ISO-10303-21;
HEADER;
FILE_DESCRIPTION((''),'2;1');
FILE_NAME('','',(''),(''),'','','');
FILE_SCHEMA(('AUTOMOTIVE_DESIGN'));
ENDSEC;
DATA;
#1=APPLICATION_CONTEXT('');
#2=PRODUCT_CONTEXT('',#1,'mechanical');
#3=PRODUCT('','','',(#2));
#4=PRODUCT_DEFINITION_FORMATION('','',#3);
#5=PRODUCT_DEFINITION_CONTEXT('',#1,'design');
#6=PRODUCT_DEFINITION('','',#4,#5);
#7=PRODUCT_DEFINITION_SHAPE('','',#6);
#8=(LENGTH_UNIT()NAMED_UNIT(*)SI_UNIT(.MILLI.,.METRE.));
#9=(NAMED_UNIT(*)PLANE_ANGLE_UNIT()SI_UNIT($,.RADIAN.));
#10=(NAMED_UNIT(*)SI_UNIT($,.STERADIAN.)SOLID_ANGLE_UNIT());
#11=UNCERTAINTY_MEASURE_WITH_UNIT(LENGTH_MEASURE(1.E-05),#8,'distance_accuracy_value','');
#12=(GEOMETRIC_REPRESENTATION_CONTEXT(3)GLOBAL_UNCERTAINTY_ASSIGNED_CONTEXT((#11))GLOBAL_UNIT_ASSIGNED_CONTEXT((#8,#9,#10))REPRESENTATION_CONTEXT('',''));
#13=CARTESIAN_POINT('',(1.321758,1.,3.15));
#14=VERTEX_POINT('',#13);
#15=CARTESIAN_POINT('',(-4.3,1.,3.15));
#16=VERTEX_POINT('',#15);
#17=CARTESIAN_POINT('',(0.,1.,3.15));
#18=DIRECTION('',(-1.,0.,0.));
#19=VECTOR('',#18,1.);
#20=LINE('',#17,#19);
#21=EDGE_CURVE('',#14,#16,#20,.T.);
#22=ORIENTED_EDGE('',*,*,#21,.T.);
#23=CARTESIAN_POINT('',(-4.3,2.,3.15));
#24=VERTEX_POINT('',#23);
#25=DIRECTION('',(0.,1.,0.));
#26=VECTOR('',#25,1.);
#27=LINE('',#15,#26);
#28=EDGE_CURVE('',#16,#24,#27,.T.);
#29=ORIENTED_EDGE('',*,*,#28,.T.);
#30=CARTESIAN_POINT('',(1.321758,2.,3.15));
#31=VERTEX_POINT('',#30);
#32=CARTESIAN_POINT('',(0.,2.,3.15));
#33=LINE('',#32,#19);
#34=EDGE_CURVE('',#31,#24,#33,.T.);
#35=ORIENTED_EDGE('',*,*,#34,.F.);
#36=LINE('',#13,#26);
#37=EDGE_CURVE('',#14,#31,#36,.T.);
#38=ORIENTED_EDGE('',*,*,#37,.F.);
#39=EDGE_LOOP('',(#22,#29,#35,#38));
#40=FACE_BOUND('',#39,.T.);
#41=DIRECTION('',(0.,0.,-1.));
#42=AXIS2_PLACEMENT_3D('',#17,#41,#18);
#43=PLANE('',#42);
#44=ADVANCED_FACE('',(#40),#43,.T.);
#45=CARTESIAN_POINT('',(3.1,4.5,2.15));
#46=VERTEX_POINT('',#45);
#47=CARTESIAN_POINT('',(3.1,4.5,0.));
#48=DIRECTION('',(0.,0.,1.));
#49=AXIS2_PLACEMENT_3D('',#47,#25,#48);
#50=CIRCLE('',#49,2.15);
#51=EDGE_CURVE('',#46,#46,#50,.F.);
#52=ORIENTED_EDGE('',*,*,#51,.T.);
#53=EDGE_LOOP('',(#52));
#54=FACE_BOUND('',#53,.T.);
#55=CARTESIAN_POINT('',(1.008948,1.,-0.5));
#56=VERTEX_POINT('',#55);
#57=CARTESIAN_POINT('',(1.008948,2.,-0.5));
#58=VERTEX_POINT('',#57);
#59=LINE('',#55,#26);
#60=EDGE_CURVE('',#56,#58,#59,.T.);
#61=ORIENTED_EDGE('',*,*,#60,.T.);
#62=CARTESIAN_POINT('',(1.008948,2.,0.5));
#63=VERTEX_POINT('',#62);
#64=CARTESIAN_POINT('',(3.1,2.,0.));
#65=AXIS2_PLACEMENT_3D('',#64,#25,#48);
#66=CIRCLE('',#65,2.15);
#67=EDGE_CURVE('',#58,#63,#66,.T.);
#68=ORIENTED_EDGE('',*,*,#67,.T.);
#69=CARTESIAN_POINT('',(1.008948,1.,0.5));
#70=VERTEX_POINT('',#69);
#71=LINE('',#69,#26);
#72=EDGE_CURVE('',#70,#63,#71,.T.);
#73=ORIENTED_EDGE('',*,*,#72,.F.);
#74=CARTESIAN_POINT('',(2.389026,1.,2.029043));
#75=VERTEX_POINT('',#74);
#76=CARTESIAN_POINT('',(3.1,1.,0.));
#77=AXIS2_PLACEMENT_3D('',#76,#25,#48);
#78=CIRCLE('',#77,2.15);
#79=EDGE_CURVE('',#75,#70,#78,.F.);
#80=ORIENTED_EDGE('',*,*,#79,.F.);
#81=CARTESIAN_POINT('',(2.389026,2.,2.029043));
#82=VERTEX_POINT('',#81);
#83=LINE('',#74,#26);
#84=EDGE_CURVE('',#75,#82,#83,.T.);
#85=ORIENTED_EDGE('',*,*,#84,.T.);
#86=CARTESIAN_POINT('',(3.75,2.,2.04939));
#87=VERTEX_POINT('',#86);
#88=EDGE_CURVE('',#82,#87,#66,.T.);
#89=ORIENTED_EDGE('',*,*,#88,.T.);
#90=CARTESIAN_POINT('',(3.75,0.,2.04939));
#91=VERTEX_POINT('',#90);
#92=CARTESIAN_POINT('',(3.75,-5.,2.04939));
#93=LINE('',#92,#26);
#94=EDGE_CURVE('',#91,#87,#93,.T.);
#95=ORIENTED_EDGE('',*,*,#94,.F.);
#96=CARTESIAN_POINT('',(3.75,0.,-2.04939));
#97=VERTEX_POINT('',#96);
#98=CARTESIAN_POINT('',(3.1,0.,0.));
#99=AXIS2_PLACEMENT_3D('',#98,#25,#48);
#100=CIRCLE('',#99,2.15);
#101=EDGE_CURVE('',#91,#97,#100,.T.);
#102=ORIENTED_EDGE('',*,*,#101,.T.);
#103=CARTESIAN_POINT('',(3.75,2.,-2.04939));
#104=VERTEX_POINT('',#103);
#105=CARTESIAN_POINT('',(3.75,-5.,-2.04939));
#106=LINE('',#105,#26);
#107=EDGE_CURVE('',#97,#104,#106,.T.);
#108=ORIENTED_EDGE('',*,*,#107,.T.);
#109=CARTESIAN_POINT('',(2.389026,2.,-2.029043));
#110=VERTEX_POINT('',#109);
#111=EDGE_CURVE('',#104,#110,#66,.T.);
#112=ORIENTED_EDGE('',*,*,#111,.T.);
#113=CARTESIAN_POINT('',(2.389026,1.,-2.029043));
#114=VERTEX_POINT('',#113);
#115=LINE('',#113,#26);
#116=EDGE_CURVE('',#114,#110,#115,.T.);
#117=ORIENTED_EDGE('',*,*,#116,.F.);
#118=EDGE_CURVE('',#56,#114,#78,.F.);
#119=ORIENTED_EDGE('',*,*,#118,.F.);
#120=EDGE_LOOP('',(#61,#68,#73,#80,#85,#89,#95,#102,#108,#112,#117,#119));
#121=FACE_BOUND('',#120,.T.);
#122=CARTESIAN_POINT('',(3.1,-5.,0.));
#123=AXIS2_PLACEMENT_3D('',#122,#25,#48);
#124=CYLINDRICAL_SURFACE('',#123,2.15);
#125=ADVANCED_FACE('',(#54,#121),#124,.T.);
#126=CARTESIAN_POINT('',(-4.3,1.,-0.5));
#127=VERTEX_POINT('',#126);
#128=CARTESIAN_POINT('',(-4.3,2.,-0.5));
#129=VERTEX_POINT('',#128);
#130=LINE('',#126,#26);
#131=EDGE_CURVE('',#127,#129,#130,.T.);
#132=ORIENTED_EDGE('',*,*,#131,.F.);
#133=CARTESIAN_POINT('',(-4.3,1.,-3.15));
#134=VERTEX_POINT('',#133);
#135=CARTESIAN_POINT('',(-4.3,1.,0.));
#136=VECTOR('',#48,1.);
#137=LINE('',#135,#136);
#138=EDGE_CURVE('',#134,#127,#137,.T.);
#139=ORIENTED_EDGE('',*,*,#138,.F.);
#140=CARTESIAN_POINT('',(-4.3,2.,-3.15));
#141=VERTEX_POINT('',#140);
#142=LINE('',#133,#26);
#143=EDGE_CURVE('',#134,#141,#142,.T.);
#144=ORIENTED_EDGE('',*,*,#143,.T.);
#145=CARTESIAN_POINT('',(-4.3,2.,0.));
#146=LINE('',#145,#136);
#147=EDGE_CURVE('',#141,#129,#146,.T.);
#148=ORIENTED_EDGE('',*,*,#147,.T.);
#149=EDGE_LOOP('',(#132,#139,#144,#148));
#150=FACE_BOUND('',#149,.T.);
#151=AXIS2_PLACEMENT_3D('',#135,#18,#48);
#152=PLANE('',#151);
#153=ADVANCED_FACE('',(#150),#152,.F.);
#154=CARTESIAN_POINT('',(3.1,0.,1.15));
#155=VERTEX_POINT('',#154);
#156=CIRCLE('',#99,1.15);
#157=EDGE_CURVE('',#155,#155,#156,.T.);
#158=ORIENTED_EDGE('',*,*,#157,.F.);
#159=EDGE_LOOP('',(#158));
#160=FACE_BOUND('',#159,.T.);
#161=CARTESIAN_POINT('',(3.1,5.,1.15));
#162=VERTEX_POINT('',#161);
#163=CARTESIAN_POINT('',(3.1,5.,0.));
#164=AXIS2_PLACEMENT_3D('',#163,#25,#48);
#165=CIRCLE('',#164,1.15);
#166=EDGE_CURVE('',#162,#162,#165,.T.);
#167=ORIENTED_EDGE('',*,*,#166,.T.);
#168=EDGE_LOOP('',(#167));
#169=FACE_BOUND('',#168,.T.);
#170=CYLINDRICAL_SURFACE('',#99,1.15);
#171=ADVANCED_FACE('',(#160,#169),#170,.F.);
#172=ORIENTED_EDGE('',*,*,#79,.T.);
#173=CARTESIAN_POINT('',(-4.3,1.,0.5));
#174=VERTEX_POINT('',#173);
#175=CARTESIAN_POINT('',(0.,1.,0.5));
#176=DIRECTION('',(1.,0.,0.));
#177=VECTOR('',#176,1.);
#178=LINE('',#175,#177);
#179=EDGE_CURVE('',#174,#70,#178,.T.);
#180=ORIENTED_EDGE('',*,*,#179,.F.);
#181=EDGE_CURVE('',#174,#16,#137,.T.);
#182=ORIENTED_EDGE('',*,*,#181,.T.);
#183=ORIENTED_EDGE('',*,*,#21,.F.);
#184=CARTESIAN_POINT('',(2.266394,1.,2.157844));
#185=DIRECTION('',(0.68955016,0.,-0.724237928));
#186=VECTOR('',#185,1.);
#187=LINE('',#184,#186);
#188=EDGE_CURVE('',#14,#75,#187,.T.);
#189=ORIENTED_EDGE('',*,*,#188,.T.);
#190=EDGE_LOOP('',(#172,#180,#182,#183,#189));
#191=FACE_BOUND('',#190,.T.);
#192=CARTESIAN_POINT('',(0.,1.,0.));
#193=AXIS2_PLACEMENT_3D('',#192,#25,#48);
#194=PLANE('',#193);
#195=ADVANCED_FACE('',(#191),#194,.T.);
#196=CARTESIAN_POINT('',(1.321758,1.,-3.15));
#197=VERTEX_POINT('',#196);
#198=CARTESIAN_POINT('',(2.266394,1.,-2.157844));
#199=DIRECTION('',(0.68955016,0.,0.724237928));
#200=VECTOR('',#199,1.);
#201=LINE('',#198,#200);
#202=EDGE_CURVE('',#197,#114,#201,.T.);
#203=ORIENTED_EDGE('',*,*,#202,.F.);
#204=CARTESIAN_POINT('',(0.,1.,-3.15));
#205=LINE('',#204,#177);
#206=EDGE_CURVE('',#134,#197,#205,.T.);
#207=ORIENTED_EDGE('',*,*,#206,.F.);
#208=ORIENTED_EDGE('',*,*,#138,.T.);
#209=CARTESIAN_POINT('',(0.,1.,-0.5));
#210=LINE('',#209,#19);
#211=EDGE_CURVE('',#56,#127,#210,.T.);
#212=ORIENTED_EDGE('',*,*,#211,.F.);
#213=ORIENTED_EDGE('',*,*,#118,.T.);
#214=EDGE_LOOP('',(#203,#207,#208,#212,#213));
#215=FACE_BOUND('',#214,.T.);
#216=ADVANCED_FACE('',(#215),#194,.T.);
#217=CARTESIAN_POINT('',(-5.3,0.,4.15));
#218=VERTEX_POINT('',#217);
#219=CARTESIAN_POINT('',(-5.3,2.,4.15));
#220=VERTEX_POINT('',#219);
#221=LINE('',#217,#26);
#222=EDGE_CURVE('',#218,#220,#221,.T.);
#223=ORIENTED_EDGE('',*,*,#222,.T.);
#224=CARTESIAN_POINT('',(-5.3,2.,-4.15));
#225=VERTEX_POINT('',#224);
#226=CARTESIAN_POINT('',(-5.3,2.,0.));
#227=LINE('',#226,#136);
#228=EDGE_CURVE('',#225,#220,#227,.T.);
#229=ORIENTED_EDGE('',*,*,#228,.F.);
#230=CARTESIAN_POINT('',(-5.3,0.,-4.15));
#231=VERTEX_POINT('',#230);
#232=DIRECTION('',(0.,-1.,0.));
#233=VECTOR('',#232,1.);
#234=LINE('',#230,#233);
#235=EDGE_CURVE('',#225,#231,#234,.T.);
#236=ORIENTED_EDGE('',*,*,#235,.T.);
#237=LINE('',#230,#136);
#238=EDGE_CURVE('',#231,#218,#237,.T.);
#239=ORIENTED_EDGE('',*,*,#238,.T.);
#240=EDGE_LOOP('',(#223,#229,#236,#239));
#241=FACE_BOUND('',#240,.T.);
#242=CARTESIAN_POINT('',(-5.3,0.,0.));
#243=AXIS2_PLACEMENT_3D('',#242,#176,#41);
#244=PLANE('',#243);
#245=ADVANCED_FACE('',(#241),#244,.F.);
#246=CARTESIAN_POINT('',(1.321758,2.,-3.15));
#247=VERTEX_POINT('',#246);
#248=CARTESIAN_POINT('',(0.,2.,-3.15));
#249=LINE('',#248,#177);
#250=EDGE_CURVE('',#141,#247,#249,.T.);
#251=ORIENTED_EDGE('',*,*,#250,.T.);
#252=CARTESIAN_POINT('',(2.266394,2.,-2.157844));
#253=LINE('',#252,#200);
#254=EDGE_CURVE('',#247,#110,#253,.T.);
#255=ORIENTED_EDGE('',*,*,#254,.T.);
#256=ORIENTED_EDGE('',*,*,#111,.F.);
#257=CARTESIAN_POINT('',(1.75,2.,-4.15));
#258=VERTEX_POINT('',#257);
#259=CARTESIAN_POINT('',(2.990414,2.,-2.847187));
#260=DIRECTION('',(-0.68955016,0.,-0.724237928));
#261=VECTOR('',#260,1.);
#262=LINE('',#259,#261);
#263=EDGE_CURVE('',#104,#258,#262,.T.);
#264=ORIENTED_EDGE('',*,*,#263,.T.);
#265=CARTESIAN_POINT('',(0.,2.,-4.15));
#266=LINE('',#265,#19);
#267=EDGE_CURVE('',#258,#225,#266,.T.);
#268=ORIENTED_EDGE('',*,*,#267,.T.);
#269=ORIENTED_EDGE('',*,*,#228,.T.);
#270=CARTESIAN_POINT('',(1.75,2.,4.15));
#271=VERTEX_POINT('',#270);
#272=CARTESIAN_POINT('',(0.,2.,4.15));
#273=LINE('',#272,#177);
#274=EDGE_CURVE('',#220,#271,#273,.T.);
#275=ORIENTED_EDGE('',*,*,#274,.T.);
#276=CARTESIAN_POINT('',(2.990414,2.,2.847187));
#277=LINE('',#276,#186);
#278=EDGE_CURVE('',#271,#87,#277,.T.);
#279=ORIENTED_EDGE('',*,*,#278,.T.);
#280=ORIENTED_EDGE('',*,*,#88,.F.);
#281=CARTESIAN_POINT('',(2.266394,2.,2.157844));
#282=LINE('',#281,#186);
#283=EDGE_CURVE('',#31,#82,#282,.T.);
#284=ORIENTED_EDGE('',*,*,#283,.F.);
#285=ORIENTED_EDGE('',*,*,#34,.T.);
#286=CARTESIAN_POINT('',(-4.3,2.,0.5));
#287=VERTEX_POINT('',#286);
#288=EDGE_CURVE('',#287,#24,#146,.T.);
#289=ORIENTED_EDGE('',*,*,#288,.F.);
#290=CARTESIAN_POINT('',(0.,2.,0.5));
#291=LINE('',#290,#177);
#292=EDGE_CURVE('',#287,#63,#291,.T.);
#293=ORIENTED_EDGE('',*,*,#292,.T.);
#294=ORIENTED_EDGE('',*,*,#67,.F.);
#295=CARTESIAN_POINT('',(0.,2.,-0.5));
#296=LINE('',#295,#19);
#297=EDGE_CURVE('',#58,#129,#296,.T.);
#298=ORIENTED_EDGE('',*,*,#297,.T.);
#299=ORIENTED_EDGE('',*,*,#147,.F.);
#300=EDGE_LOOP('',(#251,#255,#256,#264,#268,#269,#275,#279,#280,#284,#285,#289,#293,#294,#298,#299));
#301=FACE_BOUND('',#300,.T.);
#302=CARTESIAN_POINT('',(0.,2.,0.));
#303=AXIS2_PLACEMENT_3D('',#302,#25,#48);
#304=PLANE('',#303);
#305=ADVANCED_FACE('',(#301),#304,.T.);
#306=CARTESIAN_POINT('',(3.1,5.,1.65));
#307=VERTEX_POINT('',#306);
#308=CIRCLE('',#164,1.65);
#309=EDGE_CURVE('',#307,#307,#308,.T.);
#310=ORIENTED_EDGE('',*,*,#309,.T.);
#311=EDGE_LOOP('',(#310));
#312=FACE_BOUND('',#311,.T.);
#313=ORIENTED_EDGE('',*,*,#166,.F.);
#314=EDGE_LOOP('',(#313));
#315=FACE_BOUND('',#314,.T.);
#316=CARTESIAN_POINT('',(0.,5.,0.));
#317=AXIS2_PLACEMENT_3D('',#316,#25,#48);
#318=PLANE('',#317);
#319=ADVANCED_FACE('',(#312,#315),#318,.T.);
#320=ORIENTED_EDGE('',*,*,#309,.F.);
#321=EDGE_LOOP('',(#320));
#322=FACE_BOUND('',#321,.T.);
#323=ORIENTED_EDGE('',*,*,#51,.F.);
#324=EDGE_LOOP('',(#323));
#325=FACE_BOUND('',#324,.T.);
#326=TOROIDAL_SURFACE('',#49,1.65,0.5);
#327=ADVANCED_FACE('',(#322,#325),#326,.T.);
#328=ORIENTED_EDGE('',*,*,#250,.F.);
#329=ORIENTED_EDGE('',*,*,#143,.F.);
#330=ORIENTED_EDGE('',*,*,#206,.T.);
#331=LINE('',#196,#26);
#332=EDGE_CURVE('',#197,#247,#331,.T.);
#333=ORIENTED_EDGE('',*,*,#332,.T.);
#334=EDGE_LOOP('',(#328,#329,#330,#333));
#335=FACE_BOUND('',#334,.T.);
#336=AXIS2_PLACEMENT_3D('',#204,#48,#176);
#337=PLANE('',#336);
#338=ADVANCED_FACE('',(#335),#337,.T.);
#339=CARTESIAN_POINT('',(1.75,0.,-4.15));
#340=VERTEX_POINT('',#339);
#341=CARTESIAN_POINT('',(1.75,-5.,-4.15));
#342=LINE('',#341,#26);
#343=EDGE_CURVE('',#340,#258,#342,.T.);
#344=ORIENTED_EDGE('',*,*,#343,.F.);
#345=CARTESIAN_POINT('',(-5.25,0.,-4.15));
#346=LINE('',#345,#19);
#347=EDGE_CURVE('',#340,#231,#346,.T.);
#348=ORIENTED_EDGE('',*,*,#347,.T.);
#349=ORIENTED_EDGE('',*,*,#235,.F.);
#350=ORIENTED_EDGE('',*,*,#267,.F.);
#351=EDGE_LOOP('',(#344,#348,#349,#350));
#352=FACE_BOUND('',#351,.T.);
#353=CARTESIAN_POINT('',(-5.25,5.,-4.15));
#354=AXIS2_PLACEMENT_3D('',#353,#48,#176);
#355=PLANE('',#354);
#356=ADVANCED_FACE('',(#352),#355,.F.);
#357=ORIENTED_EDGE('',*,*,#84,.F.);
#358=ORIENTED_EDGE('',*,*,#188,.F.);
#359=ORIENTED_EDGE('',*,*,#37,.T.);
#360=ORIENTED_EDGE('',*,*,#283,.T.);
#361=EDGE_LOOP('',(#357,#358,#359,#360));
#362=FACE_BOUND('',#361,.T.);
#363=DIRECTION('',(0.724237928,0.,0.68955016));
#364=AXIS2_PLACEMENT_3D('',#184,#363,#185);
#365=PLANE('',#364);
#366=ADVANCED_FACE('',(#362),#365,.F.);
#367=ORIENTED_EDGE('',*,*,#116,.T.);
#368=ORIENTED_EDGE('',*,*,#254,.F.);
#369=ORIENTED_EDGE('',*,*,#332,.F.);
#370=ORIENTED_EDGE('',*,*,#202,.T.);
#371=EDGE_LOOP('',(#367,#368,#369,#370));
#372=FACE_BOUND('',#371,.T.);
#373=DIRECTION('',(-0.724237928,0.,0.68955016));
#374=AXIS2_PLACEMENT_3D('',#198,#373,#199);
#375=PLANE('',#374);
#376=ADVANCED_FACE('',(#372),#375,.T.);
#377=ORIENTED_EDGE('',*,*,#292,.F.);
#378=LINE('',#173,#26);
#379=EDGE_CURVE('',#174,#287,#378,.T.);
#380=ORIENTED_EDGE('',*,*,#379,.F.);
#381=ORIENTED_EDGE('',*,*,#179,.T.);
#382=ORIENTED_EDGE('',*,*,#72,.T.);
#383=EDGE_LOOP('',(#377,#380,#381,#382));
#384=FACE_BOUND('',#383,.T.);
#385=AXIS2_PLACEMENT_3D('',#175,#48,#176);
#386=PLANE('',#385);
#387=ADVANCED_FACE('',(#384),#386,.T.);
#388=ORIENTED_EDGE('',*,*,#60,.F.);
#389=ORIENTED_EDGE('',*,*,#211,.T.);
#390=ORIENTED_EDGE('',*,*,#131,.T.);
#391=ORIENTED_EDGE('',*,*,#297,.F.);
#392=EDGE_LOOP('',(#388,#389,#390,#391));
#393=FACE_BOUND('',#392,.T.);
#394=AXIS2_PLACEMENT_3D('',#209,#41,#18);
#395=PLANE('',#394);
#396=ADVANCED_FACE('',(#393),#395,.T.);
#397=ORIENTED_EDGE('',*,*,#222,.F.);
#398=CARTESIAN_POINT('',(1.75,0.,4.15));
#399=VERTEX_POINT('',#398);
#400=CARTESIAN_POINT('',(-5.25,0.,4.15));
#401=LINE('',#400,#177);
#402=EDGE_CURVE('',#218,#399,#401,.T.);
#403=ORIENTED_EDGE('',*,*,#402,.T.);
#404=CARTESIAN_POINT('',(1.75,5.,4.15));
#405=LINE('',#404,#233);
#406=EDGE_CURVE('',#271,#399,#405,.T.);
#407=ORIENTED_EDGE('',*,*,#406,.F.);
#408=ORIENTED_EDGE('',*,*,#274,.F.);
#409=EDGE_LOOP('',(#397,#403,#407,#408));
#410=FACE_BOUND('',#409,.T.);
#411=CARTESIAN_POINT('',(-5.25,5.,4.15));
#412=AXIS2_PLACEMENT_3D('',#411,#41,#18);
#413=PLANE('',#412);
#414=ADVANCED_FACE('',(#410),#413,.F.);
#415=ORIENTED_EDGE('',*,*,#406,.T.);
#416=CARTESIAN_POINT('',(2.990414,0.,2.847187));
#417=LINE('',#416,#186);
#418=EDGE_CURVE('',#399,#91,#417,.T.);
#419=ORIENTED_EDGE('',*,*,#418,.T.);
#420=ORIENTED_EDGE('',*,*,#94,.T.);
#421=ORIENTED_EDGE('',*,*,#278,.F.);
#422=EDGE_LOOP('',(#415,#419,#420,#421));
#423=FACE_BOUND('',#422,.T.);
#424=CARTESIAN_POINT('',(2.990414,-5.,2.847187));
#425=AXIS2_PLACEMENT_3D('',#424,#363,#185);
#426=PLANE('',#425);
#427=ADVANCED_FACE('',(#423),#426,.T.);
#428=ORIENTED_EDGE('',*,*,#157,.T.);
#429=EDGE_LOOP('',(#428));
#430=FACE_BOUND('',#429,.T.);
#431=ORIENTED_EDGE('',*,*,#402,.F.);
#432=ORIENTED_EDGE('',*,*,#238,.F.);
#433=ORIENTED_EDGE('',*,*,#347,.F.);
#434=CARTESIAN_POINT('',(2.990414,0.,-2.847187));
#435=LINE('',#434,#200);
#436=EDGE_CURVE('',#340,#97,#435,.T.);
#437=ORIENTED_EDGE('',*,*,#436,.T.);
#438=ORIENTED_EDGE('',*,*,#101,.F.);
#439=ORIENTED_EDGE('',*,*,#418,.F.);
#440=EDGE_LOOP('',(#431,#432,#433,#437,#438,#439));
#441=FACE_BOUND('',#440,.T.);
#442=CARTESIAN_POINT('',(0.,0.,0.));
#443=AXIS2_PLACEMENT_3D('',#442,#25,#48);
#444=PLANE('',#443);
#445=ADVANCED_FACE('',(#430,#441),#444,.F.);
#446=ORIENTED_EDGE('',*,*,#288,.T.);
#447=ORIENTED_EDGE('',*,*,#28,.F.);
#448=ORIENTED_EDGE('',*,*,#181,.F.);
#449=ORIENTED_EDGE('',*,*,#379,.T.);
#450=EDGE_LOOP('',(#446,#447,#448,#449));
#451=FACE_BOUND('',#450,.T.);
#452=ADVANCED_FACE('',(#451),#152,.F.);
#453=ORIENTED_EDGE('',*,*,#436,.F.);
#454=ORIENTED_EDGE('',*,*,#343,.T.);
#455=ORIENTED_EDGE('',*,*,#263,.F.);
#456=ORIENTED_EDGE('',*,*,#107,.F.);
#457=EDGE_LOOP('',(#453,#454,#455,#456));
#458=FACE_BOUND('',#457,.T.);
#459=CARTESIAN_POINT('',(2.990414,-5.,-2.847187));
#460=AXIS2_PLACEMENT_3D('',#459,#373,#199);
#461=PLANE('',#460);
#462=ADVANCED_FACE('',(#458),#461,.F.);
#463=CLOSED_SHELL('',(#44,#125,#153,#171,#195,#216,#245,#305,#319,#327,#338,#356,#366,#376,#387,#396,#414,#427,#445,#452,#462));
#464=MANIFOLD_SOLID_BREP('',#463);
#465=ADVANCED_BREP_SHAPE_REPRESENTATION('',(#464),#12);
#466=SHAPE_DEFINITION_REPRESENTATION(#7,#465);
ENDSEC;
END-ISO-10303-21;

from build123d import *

# Parameters (mm, degrees)
SKETCH1_W           = 10.5
SKETCH1_H           = 8.3
BOSS_EXTRUDE1_DEPTH = 5
CUT_EXTRUDE1_DEPTH  = 10
SKETCH3_W           = 8.3
SKETCH3_H           = 5
BOSS_EXTRUDE2_DEPTH = 0.05
CUT_EXTRUDE2_DEPTH  = 3
SKETCH5_R           = 1.15
CUT_EXTRUDE3_DEPTH  = 5
CUT_EXTRUDE4_DEPTH  = 1
FILLET1_R           = 0.5


with BuildPart() as part:
    # Sketch1 → Boss-Extrude1 (new body)
    with BuildSketch(Plane(origin=(0, 0, 0), x_dir=(1, 0, 0), z_dir=(0, 1, 0))):
        Rectangle(SKETCH1_W, SKETCH1_H)
    extrude(amount=BOSS_EXTRUDE1_DEPTH)

    # Sketch2 → Cut-Extrude1 (cut)
    with BuildSketch(Plane(origin=(0, 5, 0), x_dir=(1, 0, 0), z_dir=(0, 1, 0))):
        with BuildLine():
            Line((1.75, 4.15), (3.75, 2.049390153))
            ThreePointArc((3.75, 2.049390153), (4.834935157, 1.26984251), (5.25, 0))
            Line((5.25, 0), (5.25, 4.15))
            Line((5.25, 4.15), (1.75, 4.15))
        make_face()
        with BuildLine():
            Line((3.75, -2.049390153), (1.75, -4.15))
            Line((1.75, -4.15), (3.75, -4.15))
            Line((3.75, -4.15), (5.25, -4.15))
            Line((5.25, -4.15), (5.25, 0))
            ThreePointArc((5.25, 0), (4.834935157, -1.26984251), (3.75, -2.049390153))
        make_face()
    extrude(amount=-CUT_EXTRUDE1_DEPTH, mode=Mode.SUBTRACT)

    # Sketch3 → Boss-Extrude2 (add)
    with BuildSketch(Plane.ZY.offset(5.25)):
        with Locations((0, 2.5)):
            Rectangle(SKETCH3_W, SKETCH3_H)
    extrude(amount=BOSS_EXTRUDE2_DEPTH)

    # Sketch4 → Cut-Extrude2 (cut)
    with BuildSketch(Plane(origin=(0, 5, 0), x_dir=(1, 0, 0), z_dir=(0, 1, 0))):
        with BuildLine():
            ThreePointArc((3.75, -2.049390153), (0.95, 0), (3.75, 2.049390153))
            Line((3.75, 2.049390153), (1.75, 4.15))
            Line((1.75, 4.15), (-5.3, 4.15))
            Line((-5.3, 4.15), (-5.3, -4.15))
            Line((-5.3, -4.15), (1.75, -4.15))
            Line((1.75, -4.15), (3.75, -2.049390153))
        make_face()
    extrude(amount=-CUT_EXTRUDE2_DEPTH, mode=Mode.SUBTRACT)

    # Sketch5 → Cut-Extrude3 (cut)
    with BuildSketch(Plane(origin=(0, 5, 0), x_dir=(1, 0, 0), z_dir=(0, 1, 0))):
        with Locations(Location((3.1, 0, 0), (0, 0, 270))):
            Circle(SKETCH5_R)
    extrude(amount=-CUT_EXTRUDE3_DEPTH, mode=Mode.SUBTRACT)

    # Sketch6 → Cut-Extrude4 (cut)
    with BuildSketch(Plane(origin=(0, 2, 0), x_dir=(1, 0, 0), z_dir=(0, 1, 0))):
        with BuildLine():
            Line((1.321758158, 3.15), (-4.3, 3.15))
            Line((-4.3, 3.15), (-4.3, 0.5))
            Line((-4.3, 0.5), (-1.21237994, 0.5))
            Line((-1.21237994, 0.5), (1.008947633, 0.5))
            ThreePointArc((1.008947633, 0.5), (1.503963979, 1.440544696), (2.389026153, 2.029043171))
            Line((2.389026153, 2.029043171), (1.321758158, 3.15))
        make_face()
        with BuildLine():
            Line((-1.21237994, -0.5), (-4.3, -0.5))
            Line((-4.3, -0.5), (-4.3, -3.15))
            Line((-4.3, -3.15), (1.321758158, -3.15))
            Line((1.321758158, -3.15), (2.389026153, -2.029043171))
            ThreePointArc((2.389026153, -2.029043171), (1.503963979, -1.440544696), (1.008947633, -0.5))
            Line((1.008947633, -0.5), (-1.21237994, -0.5))
        make_face()
    extrude(amount=-CUT_EXTRUDE4_DEPTH, mode=Mode.SUBTRACT)

    # Fillet1
    fillet1_edges = [part.edges().sort_by_distance(p)[0] for p in [
        (2.45, 5, 2.049390153),
    ]]
    fillet(fillet1_edges, radius=FILLET1_R)


solid = part.part
